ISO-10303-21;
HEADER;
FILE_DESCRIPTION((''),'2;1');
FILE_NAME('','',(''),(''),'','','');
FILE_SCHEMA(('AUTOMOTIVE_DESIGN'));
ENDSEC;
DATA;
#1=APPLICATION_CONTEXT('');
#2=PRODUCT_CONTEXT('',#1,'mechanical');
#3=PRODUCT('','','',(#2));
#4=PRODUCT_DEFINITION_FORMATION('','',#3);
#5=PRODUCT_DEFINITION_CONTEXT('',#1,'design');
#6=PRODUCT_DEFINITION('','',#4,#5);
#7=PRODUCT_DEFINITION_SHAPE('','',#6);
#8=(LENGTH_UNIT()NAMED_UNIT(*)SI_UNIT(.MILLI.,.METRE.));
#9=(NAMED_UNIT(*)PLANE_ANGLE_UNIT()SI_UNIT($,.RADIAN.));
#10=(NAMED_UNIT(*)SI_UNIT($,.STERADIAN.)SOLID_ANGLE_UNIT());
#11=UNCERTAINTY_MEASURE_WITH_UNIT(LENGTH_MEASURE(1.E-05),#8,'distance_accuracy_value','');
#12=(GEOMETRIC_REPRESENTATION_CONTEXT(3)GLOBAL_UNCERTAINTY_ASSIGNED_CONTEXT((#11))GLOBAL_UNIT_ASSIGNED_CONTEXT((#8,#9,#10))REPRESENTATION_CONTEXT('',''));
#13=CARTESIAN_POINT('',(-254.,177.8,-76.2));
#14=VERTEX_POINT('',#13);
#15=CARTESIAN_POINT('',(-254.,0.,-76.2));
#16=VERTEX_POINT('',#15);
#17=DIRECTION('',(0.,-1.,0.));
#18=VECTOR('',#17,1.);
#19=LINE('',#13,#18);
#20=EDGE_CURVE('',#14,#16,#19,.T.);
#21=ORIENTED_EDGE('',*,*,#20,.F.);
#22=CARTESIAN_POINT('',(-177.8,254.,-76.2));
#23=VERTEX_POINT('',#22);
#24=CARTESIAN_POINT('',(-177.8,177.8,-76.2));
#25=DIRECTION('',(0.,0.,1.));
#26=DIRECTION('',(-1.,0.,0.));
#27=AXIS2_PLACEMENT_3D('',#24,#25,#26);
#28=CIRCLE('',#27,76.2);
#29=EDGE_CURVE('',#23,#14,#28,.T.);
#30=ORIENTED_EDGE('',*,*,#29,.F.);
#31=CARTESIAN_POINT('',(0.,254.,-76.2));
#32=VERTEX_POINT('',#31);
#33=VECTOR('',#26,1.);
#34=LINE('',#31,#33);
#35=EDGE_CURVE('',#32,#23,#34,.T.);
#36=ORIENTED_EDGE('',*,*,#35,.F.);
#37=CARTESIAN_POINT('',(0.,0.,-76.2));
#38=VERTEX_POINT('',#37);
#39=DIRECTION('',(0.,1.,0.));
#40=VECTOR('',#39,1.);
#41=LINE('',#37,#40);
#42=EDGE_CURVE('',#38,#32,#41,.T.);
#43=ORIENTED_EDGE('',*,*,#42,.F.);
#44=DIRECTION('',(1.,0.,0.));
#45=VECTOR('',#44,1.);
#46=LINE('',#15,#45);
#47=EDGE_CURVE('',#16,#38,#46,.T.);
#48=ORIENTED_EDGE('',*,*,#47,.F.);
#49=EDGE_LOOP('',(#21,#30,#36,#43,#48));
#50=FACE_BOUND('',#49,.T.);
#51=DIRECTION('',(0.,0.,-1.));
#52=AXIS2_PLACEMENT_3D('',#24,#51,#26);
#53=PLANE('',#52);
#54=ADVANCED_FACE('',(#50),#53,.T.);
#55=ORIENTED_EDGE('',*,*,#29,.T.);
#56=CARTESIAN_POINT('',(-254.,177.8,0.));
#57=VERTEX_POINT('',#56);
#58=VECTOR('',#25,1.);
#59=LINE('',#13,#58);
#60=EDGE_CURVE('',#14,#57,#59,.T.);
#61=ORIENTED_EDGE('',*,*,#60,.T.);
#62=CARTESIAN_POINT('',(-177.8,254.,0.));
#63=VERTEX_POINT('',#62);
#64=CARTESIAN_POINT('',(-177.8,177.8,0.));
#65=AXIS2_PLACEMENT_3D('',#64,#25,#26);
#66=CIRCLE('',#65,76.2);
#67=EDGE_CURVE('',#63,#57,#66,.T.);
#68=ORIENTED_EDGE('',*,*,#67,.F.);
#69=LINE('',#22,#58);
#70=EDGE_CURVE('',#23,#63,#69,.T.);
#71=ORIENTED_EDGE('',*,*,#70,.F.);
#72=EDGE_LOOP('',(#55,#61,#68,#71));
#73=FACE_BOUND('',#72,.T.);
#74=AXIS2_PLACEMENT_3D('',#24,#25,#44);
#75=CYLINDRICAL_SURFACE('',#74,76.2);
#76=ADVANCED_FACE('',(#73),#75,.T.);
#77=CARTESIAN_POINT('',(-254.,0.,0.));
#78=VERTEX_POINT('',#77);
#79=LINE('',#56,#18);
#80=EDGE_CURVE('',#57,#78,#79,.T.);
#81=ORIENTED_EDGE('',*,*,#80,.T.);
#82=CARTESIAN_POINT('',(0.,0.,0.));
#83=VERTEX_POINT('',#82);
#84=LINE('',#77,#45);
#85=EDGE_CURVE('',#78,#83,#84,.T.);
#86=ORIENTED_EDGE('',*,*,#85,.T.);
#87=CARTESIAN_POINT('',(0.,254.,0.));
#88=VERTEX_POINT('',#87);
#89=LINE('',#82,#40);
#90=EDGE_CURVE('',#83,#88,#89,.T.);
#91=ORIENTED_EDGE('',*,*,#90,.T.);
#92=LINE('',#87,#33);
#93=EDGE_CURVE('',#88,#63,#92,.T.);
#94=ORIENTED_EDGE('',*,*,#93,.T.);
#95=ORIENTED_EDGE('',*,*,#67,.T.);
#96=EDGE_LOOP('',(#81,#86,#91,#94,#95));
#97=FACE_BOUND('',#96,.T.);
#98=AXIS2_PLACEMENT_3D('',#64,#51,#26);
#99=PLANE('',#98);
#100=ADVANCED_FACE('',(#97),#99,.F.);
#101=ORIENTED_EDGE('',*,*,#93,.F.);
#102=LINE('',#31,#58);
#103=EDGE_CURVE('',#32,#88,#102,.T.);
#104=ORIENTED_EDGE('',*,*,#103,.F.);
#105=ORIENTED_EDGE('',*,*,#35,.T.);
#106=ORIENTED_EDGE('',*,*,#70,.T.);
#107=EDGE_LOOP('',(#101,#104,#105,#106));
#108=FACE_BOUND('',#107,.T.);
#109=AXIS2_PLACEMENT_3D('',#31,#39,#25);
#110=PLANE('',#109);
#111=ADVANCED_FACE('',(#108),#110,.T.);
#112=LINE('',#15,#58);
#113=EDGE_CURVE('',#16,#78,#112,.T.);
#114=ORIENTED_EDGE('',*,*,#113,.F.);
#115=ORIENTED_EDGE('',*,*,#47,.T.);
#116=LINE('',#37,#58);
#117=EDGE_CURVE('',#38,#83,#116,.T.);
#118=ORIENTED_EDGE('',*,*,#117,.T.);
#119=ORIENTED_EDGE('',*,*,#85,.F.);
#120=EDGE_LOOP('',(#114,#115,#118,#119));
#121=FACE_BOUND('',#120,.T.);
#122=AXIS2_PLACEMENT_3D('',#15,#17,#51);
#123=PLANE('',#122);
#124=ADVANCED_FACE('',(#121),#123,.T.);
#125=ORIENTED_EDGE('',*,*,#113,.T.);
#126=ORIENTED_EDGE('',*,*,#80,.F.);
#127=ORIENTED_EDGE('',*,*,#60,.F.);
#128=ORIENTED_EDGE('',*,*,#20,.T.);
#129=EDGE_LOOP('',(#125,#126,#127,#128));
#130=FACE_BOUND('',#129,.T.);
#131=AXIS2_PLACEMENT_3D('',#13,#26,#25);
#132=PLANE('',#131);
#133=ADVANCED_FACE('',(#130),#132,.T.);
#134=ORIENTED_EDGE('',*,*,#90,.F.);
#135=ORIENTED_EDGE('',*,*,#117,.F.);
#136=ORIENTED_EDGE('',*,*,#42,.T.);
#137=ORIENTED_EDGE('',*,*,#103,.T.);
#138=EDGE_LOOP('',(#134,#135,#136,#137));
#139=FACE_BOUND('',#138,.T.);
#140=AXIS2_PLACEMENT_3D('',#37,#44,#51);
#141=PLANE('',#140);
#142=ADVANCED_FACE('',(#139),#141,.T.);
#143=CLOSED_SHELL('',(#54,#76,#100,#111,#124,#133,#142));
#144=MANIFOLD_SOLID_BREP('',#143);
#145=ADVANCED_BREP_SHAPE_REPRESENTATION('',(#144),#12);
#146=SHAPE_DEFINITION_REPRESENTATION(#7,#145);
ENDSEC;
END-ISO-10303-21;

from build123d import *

# Parameters (mm, degrees)
BOSS_EXTRUDE1_DEPTH = 76.2


with BuildPart() as part:
    # Sketch1 → Boss-Extrude1 (new body)
    with BuildSketch(Plane.XY):
        with BuildLine():
            Line((0, 0), (0, 254))
            Line((0, 254), (-177.8, 254))
            ThreePointArc((-177.8, 254), (-231.681536726, 231.681536726), (-254, 177.8))
            Line((-254, 177.8), (-254, 0))
            Line((-254, 0), (0, 0))
        make_face()
    extrude(amount=-BOSS_EXTRUDE1_DEPTH)


solid = part.part
